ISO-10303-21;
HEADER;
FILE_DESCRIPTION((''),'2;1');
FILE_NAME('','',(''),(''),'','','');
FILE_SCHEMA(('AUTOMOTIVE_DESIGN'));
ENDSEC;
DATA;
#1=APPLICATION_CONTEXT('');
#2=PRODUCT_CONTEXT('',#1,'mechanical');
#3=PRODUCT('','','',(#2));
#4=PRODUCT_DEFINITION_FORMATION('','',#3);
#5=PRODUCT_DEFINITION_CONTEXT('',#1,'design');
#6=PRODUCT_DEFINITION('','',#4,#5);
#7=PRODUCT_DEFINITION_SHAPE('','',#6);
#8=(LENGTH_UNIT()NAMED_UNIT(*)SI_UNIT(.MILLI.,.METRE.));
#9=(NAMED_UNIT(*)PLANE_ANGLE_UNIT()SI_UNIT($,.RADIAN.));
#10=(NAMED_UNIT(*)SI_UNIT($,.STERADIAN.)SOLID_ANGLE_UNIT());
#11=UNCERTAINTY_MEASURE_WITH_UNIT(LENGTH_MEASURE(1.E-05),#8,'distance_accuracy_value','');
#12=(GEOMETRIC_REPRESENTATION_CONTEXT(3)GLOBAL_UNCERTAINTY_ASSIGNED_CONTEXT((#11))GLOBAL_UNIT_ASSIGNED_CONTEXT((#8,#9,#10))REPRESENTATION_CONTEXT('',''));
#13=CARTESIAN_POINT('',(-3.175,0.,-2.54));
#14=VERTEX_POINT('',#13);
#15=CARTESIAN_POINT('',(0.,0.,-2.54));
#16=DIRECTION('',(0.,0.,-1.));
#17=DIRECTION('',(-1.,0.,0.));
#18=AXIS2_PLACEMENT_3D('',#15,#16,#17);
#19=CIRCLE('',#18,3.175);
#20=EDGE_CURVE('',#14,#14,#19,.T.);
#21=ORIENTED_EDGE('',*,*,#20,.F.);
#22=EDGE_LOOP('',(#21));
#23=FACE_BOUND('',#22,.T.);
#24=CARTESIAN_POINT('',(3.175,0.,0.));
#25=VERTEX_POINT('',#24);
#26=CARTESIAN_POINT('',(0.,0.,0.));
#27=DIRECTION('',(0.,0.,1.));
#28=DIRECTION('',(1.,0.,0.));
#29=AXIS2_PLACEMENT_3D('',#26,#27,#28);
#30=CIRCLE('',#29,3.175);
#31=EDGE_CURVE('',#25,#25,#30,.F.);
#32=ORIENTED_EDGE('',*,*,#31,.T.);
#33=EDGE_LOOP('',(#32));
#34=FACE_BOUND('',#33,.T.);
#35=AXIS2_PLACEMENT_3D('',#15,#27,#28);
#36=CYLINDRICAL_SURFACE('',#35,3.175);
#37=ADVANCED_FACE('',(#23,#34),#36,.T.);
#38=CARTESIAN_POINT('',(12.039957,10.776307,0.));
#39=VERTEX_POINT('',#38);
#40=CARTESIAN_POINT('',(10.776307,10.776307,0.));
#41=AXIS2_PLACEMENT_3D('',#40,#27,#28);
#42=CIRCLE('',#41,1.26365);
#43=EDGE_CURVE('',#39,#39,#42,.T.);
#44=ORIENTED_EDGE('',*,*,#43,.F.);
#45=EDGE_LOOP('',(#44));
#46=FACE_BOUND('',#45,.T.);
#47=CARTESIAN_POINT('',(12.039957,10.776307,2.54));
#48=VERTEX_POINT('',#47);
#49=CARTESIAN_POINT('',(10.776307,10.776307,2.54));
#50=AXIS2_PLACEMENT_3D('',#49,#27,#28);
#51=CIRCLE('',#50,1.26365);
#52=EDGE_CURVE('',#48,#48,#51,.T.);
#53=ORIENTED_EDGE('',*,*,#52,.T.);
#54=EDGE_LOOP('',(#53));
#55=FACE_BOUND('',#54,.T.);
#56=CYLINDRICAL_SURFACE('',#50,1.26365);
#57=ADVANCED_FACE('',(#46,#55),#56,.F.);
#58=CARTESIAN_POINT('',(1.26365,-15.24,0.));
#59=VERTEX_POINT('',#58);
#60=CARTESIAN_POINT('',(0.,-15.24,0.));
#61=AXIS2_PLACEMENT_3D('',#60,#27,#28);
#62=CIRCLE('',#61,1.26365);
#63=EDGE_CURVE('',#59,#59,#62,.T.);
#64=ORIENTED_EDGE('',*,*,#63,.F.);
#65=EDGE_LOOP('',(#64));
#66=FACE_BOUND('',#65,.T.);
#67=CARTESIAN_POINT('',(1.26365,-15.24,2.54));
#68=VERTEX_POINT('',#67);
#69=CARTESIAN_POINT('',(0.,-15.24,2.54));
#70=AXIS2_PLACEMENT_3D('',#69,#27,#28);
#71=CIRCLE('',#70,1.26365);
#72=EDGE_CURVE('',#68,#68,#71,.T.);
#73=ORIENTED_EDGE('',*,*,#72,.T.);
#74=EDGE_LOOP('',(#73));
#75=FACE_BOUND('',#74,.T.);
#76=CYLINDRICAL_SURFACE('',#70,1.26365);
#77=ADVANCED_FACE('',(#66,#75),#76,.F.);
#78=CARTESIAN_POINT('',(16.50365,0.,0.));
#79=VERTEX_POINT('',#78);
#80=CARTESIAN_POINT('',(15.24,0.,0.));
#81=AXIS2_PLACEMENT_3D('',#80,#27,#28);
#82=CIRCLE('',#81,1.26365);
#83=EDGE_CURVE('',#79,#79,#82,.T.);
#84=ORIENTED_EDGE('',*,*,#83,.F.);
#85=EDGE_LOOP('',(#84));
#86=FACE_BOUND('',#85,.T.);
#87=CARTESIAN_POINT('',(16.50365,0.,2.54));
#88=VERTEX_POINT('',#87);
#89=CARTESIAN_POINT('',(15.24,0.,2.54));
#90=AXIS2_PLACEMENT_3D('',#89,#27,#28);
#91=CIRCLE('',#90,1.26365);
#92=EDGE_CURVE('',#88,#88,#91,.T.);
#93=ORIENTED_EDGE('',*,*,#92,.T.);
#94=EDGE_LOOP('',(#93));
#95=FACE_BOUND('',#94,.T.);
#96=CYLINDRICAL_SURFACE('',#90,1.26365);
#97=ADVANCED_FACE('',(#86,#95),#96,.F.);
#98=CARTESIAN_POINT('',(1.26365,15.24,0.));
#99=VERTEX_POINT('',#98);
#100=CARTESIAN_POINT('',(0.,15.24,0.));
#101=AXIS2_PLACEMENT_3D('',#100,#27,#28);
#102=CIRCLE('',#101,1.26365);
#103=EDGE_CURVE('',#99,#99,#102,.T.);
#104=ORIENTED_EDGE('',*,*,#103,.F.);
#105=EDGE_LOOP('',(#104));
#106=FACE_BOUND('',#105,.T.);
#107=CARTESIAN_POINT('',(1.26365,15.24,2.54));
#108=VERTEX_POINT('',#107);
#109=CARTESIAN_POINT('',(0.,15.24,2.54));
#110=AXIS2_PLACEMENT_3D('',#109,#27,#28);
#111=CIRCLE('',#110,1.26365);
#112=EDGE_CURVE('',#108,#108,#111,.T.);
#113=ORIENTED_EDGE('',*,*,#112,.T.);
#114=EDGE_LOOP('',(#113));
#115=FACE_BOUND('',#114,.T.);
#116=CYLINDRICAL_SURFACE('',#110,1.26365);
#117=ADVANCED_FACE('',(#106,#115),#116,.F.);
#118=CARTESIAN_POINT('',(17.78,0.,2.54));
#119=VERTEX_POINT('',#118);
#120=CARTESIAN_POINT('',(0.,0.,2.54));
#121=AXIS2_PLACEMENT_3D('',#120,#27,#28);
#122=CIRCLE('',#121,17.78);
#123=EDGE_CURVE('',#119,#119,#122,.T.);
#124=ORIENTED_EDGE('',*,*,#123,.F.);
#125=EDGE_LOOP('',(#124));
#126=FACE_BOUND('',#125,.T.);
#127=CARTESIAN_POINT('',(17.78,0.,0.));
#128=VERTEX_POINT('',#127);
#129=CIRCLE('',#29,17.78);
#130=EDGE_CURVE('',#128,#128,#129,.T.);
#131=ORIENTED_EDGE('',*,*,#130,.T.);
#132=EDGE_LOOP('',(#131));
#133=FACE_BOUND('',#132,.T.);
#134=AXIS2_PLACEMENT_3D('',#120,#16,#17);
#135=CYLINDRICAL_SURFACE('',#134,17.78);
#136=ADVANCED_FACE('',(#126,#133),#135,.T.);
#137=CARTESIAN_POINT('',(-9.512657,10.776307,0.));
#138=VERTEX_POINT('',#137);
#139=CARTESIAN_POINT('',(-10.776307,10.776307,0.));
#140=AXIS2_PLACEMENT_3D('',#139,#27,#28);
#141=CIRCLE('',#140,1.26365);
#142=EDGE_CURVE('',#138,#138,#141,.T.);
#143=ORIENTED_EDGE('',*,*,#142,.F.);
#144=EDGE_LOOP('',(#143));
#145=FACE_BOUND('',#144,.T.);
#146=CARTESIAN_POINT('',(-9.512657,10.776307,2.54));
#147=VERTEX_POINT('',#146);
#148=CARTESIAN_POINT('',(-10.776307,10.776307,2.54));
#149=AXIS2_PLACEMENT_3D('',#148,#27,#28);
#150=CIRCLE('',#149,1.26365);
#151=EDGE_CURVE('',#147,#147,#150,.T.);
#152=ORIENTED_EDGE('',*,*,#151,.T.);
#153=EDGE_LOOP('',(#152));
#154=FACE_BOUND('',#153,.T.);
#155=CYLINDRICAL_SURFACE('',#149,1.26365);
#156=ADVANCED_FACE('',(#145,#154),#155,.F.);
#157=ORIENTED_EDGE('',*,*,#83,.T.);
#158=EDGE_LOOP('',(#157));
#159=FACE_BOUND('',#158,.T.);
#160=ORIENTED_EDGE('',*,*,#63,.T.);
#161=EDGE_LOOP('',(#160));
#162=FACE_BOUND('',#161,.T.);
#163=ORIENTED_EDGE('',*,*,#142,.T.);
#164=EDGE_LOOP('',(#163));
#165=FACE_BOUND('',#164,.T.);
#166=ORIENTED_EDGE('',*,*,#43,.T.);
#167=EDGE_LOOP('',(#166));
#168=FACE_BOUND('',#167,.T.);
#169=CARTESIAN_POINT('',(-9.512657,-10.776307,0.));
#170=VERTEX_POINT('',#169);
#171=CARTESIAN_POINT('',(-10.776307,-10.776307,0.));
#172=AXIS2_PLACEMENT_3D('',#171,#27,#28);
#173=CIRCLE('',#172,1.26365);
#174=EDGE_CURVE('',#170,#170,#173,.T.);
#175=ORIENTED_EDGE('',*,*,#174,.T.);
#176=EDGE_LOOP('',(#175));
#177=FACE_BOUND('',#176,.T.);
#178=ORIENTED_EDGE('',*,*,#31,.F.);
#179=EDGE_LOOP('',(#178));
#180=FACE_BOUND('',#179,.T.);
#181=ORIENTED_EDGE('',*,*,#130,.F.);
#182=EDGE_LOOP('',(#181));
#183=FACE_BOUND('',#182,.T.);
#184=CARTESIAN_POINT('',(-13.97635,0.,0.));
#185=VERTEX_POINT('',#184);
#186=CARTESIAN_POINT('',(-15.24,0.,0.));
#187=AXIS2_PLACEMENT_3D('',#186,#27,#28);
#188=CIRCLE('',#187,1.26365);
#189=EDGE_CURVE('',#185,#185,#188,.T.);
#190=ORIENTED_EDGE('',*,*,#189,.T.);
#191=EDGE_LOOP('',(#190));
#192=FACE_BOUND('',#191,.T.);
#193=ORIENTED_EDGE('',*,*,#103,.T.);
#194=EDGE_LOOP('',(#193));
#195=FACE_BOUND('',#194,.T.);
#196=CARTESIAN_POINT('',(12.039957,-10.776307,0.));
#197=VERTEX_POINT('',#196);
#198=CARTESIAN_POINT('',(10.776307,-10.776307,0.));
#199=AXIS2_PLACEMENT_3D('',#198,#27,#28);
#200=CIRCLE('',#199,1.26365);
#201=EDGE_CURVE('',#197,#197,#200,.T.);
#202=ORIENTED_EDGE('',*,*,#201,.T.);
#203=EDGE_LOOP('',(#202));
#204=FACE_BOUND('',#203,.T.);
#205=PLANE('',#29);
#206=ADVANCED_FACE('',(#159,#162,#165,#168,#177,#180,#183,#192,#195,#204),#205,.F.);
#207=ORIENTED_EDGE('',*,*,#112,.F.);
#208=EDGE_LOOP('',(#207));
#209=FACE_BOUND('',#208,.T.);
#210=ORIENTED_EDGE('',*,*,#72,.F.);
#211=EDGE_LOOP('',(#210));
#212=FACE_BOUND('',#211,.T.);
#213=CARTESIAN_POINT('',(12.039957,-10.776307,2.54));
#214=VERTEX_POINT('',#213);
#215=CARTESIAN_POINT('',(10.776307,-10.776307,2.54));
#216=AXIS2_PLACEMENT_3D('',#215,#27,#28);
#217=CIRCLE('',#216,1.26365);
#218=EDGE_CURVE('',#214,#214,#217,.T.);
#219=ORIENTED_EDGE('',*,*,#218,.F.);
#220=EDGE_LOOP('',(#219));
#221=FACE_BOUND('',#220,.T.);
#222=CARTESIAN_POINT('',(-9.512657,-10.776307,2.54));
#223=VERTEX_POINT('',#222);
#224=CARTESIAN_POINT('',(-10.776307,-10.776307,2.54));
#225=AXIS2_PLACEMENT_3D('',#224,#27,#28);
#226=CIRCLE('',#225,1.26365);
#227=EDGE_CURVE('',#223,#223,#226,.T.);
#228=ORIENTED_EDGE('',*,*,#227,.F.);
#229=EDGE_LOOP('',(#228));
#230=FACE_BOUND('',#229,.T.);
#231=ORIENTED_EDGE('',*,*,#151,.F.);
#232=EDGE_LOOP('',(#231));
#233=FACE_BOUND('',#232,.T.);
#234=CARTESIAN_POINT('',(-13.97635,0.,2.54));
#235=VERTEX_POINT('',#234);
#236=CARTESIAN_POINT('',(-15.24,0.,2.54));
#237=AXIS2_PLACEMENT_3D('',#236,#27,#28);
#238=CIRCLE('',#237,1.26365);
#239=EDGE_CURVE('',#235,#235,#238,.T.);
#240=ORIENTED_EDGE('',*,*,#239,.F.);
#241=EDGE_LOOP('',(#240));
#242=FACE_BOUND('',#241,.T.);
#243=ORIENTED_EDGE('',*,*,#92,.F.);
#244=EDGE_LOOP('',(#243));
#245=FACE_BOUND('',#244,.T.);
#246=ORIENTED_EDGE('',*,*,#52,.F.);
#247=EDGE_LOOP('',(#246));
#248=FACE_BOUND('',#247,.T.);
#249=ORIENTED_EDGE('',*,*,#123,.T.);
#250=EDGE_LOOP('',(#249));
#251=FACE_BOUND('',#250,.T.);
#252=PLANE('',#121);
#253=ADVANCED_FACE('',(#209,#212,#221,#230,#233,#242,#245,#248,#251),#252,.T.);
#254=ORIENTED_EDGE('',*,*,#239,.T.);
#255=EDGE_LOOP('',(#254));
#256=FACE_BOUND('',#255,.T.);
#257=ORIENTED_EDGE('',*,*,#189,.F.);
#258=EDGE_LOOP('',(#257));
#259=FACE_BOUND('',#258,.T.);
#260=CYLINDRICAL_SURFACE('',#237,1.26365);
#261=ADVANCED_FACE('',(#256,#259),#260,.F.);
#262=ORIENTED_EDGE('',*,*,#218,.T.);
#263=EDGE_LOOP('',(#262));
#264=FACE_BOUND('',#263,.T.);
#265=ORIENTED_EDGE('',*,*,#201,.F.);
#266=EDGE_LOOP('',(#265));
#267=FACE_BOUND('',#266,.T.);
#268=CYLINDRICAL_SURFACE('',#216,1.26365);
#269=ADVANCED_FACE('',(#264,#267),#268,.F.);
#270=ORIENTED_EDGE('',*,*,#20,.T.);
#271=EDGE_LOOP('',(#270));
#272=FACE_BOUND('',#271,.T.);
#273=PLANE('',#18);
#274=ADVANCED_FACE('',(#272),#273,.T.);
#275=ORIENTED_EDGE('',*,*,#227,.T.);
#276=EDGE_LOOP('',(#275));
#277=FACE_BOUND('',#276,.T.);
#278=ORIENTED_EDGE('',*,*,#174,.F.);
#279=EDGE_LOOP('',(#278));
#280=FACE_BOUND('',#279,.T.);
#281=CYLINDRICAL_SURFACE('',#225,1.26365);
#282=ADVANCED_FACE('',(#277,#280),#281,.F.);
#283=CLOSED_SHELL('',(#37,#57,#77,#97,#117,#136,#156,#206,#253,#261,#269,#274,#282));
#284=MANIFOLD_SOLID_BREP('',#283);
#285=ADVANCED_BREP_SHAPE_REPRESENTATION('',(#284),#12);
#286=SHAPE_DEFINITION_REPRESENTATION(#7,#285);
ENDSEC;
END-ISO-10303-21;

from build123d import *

# Parameters (mm, degrees)
SKETCH1_R         = 17.78
EXTRUDE1_DEPTH    = 2.54
CIRPATTERN2_COUNT = 8
SKETCH7_R         = 3.175
EXTRUDE2_DEPTH    = 2.54


with BuildPart() as part:
    # Sketch1 → Extrude1 (new body)
    with BuildSketch(Plane.XY):
        Circle(SKETCH1_R)
    extrude(amount=EXTRUDE1_DEPTH)

    # Sketch6 → #39 (0.0995) Diameter Hole2 (revolve, cut)
    with BuildSketch(Plane(origin=(0, 15.24, 2.54), x_dir=(0, -1, 0), z_dir=(1, 0, 0))):
        Polygon((0, 0), (0, 10.919277521), (1.26365, 10.16), (1.26365, 0), align=None)
    f_39_0_0995_diameter_hole2 = revolve(axis=Axis((0, 15.24, 8.89), (0, 0, -1)), mode=Mode.SUBTRACT)

    # CirPattern2: #39 (0.0995) Diameter Hole2 ×8 about axis
    cirpattern2_axis = Axis((0, 0, 0), (0, 0, 1))
    for i in range(1, CIRPATTERN2_COUNT):
        add(f_39_0_0995_diameter_hole2.rotate(cirpattern2_axis, i * 360 / CIRPATTERN2_COUNT), mode=Mode.SUBTRACT)

    # Sketch7 → Extrude2 (add)
    with BuildSketch(Plane(origin=(0, 0, 0), x_dir=(-1, 0, 0), z_dir=(0, 0, -1))):
        Circle(SKETCH7_R)
    extrude(amount=EXTRUDE2_DEPTH)


solid = part.part
